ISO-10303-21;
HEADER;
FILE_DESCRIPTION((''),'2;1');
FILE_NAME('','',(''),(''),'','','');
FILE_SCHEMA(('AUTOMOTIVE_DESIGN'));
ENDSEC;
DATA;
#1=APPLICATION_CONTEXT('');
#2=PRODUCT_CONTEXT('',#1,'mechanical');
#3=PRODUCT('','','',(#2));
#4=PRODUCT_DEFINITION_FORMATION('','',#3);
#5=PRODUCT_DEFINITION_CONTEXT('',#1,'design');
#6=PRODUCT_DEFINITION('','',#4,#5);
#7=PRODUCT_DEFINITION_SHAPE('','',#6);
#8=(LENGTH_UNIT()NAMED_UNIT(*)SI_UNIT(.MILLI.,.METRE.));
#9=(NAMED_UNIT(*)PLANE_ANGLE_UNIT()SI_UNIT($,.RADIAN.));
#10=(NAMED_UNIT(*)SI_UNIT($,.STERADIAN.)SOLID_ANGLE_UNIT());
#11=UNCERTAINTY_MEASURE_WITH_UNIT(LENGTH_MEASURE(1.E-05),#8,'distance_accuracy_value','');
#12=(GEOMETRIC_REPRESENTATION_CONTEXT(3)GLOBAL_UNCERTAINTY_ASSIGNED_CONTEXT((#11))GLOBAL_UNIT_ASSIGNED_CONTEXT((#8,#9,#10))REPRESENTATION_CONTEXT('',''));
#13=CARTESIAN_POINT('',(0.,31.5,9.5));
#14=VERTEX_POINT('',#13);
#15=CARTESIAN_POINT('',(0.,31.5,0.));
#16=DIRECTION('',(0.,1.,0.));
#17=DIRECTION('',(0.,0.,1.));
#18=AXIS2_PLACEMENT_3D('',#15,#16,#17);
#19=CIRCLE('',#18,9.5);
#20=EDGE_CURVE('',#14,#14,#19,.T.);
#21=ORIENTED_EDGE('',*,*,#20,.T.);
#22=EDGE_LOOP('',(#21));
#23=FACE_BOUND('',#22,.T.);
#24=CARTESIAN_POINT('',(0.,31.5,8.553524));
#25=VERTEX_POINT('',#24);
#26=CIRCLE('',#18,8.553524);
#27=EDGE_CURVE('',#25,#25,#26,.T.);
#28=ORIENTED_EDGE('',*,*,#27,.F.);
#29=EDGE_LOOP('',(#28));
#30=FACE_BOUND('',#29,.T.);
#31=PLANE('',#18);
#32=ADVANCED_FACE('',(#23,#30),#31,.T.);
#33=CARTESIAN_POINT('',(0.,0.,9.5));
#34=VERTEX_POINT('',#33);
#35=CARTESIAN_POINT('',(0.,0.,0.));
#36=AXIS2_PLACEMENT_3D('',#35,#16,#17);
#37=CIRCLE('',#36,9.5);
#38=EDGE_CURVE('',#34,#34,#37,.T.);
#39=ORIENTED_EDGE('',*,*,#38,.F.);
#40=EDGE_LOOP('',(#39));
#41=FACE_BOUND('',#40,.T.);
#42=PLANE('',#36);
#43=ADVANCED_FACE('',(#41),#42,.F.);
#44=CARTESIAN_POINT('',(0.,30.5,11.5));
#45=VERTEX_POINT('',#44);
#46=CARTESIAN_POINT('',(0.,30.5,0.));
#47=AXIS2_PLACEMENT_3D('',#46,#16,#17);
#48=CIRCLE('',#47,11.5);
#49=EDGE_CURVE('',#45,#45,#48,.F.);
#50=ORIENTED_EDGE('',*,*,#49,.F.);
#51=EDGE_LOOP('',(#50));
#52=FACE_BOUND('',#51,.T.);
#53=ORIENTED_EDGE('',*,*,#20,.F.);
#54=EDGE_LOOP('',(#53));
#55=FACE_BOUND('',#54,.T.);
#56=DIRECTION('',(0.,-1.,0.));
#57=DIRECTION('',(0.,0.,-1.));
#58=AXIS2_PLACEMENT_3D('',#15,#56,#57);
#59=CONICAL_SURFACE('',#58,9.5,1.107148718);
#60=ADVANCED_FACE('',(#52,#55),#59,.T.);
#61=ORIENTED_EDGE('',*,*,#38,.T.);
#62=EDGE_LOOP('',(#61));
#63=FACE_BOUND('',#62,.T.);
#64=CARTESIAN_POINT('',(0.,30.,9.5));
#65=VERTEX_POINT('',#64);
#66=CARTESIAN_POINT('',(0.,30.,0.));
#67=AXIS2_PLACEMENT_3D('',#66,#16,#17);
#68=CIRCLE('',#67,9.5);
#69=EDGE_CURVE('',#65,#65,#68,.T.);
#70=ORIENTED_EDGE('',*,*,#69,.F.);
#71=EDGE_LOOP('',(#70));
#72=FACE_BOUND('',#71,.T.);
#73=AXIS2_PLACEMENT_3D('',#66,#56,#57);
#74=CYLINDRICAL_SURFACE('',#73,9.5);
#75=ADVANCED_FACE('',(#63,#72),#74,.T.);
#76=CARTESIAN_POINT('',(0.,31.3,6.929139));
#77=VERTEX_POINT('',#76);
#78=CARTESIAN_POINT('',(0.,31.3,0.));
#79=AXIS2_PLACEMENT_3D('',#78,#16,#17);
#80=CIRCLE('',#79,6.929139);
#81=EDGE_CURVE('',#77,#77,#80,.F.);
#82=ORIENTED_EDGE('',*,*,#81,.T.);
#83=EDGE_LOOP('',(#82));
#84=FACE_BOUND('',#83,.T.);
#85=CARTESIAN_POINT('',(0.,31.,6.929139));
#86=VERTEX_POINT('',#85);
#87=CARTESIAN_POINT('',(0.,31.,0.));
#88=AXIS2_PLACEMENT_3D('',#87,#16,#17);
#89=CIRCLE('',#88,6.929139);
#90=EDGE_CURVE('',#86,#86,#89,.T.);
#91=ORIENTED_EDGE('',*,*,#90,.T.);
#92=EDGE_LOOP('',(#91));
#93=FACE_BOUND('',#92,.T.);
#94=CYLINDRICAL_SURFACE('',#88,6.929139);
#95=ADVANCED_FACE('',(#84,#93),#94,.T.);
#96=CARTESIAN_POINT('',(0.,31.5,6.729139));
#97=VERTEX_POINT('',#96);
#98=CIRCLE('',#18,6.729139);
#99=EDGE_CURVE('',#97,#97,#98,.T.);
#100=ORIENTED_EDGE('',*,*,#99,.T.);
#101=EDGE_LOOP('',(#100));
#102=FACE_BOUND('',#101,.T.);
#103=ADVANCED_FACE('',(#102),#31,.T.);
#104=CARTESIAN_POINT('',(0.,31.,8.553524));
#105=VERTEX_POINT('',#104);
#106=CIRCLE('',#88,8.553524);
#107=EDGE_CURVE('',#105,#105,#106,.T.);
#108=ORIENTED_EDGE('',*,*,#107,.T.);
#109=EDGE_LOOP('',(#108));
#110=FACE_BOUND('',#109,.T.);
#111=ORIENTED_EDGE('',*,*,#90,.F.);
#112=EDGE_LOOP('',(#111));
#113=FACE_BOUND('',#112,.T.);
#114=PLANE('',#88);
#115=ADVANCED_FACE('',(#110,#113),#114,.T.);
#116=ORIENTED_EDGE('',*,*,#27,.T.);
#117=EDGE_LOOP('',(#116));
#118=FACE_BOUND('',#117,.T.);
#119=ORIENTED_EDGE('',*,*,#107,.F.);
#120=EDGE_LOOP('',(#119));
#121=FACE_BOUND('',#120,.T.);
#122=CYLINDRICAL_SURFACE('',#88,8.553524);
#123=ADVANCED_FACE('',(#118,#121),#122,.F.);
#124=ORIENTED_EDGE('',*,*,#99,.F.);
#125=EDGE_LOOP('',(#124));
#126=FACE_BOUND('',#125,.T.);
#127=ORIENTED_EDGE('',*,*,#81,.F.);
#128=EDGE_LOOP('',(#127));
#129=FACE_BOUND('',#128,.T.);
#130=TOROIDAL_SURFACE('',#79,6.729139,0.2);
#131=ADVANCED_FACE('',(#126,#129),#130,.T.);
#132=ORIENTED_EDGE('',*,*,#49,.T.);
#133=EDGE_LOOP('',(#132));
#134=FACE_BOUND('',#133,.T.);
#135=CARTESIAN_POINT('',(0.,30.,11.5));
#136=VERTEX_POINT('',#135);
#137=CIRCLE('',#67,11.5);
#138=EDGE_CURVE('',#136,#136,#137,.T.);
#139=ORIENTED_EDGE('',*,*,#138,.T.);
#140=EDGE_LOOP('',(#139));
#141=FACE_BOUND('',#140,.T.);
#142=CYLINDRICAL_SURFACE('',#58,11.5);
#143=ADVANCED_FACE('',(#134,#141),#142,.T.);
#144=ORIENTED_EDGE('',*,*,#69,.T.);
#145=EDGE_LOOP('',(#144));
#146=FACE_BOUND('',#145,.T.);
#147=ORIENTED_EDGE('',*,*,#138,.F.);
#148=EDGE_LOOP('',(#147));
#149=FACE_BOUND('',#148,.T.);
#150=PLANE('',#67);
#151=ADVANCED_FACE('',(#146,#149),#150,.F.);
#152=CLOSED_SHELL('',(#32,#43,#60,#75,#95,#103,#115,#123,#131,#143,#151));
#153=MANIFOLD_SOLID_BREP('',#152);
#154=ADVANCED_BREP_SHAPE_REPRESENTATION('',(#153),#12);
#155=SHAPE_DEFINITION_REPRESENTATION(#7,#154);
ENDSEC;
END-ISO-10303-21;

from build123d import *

# Parameters (mm, degrees)
SKETCH_1_R          = 9.5
EXTRUDE_1_DEPTH     = 30
SKETCH_2_R          = 11.5
EXTRUDE_2_DEPTH     = 1.5
CHAMFER_1_SIZE      = 1
CHAMFER_1_SIZE2     = 2
SKETCH_3_R          = 8.553523617
SKETCH_3_R_2        = 6.929138855
CUT_EXTRUDE_1_DEPTH = 0.5
FILLET_1_R          = 0.2


with BuildPart() as part:
    # 草图1 → 凸台-拉伸1 (new body)
    with BuildSketch(Plane(origin=(0, 0, 0), x_dir=(1, 0, 0), z_dir=(0, 1, 0))):
        Circle(SKETCH_1_R)
    extrude(amount=EXTRUDE_1_DEPTH)

    # 草图2 → 凸台-拉伸2 (add)
    with BuildSketch(Plane(origin=(0, 30, 0), x_dir=(1, 0, 0), z_dir=(0, 1, 0))):
        Circle(SKETCH_2_R)
    extrude(amount=EXTRUDE_2_DEPTH)

    # 倒角1
    chamfer_1_edges = [part.edges().sort_by_distance(p)[0] for p in [
        (-11.5, 31.5, 0),
    ]]
    chamfer_1_side = [part.faces().sort_by_distance(p)[0] for p in [
        (-11.5, 30.75, 0),
    ]]
    chamfer(chamfer_1_edges, length=CHAMFER_1_SIZE, length2=CHAMFER_1_SIZE2, reference=chamfer_1_side[0])

    # 草图3 → 切除-拉伸1 (cut)
    with BuildSketch(Plane(origin=(0, 31.5, 0), x_dir=(1, 0, 0), z_dir=(0, 1, 0))):
        Circle(SKETCH_3_R)
        Circle(SKETCH_3_R_2, mode=Mode.SUBTRACT)
    extrude(amount=-CUT_EXTRUDE_1_DEPTH, mode=Mode.SUBTRACT)

    # 圆角1
    fillet_1_edges = [part.edges().sort_by_distance(p)[0] for p in [
        (-6.929138855, 31.5, 0),
    ]]
    fillet(fillet_1_edges, radius=FILLET_1_R)


solid = part.part
